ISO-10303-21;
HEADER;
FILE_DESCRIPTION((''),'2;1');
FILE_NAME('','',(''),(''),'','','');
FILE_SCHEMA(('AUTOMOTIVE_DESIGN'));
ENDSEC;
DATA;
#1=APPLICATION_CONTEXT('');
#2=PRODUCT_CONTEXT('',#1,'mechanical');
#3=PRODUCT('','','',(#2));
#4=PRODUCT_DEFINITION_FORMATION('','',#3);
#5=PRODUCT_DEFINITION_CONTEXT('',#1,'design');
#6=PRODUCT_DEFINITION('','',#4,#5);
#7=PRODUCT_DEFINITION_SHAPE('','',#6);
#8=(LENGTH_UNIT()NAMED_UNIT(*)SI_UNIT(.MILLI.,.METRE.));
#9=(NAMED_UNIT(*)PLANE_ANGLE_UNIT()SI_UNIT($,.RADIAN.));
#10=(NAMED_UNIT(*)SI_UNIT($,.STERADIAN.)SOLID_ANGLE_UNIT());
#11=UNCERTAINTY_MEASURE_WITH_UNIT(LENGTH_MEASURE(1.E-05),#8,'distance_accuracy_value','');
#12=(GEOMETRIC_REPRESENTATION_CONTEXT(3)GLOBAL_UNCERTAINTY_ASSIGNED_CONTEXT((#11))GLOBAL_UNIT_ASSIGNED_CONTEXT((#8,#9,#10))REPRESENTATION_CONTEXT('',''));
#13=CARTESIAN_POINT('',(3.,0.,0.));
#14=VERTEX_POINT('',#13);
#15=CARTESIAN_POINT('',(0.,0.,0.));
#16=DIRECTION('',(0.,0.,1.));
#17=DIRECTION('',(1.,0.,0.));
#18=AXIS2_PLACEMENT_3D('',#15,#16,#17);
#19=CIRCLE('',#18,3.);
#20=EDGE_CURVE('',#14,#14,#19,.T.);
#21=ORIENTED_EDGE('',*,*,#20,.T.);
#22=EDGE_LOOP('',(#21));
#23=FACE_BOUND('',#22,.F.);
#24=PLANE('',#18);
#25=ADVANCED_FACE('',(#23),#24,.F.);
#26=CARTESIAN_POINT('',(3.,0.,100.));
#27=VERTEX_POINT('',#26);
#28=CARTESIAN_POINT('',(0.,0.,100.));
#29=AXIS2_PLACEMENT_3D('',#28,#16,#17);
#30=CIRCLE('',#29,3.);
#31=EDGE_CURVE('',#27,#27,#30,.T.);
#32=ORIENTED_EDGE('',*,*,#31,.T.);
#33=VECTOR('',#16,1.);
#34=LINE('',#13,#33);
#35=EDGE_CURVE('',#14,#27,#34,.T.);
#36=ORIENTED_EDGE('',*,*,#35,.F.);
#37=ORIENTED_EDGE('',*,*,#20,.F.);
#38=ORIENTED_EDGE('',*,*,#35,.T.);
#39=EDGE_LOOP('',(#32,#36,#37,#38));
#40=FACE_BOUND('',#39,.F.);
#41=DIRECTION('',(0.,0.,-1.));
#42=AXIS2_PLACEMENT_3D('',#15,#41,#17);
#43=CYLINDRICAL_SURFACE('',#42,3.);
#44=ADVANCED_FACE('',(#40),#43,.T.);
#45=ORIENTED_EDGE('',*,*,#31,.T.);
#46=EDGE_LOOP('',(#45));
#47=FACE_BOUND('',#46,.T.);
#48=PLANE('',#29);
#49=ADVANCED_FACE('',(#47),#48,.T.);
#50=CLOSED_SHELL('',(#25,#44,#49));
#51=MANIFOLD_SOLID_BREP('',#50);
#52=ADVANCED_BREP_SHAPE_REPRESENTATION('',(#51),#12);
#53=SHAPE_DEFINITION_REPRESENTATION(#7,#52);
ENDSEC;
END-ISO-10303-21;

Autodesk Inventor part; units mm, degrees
ref_plane "YZ Plane" through (0, 0, 0) normal (1, 0, 0) x (0, 1, 0)
ref_plane "XZ Plane" through (0, 0, 0) normal (0, 1, 0) x (-1, 0, 0)
ref_plane "XY Plane" through (0, 0, 0) normal (0, 0, 1) x (1, 0, 0)
sketch "Sketch1" plane through (0, 0, 0) normal (0, 0, 1) x (1, 0, 0)
  circle A0 centre (0, 0) radius 3
  dimension "d0" = 6
extrude "Extrusion1" add sketch "Sketch1" along normal blind 100
properties part number "cevirme_kolu"
